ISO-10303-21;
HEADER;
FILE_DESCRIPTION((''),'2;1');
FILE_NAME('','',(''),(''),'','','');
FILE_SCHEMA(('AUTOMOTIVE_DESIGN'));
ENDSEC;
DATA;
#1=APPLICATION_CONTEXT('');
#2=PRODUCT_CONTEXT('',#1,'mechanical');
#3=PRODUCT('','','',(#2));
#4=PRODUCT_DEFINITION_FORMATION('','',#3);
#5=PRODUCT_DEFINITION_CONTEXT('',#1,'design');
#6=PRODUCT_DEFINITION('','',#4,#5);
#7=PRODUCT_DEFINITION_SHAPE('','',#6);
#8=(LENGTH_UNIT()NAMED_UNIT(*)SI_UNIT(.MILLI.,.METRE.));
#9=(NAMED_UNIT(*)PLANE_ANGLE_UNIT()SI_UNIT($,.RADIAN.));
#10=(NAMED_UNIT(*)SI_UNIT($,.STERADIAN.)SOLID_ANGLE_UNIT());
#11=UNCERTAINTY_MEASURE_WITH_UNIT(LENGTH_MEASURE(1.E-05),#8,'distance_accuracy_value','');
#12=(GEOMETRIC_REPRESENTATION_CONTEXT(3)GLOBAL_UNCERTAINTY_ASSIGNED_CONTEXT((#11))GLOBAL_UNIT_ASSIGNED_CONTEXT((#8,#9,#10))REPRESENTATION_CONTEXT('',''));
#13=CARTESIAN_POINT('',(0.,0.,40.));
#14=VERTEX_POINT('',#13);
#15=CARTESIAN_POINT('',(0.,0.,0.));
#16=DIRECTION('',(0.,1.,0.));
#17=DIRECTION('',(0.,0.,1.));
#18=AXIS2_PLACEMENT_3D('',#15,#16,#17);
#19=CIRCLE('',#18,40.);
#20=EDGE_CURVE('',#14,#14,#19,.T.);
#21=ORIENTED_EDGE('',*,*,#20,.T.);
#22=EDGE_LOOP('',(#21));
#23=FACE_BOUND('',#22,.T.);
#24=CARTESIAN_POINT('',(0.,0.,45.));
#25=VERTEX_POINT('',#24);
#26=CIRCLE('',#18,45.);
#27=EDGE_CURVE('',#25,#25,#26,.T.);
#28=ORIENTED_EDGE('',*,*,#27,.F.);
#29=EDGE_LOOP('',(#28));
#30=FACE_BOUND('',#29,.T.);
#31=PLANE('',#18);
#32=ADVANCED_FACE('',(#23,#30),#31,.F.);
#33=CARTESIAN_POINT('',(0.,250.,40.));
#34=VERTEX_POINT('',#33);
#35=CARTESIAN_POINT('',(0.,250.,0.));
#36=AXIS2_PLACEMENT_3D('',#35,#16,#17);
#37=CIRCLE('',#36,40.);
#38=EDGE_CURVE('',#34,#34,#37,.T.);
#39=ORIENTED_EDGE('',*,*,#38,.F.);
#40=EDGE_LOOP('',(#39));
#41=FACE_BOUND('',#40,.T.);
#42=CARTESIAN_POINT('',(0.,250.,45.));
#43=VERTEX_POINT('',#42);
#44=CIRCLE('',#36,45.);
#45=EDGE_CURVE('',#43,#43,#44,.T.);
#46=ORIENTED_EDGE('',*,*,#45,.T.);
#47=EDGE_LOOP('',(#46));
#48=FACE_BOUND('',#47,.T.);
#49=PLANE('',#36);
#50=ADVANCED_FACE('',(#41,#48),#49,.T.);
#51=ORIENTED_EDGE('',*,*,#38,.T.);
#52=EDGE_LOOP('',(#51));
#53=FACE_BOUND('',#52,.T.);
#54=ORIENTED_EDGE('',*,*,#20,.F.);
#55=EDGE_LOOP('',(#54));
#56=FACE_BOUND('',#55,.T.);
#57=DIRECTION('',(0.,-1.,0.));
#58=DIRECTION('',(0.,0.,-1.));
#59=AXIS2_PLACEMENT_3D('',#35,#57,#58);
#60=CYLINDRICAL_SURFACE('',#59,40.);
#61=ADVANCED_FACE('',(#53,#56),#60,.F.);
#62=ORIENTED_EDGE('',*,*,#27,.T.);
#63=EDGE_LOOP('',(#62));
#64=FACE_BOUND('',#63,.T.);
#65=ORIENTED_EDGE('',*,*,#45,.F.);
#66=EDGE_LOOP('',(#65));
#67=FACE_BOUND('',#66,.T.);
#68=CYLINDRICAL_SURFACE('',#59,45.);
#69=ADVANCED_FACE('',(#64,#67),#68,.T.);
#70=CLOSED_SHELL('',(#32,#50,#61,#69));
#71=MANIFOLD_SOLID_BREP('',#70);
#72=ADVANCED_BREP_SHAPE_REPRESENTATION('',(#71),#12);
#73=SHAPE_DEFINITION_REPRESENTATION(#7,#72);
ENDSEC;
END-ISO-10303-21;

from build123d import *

# Parameters (mm, degrees)
SKETCH1_R           = 45
SKETCH1_R_2         = 40
BOSS_EXTRUDE1_DEPTH = 250


with BuildPart() as part:
    # Sketch1 → Boss-Extrude1 (new body)
    with BuildSketch(Plane(origin=(0, 0, 0), x_dir=(1, 0, 0), z_dir=(0, 1, 0))):
        with Locations(Location((0, 0, 0), (0, 0, 270))):
            Circle(SKETCH1_R)
        with Locations(Location((0, 0, 0), (0, 0, 270))):
            Circle(SKETCH1_R_2, mode=Mode.SUBTRACT)
    extrude(amount=BOSS_EXTRUDE1_DEPTH)


solid = part.part
